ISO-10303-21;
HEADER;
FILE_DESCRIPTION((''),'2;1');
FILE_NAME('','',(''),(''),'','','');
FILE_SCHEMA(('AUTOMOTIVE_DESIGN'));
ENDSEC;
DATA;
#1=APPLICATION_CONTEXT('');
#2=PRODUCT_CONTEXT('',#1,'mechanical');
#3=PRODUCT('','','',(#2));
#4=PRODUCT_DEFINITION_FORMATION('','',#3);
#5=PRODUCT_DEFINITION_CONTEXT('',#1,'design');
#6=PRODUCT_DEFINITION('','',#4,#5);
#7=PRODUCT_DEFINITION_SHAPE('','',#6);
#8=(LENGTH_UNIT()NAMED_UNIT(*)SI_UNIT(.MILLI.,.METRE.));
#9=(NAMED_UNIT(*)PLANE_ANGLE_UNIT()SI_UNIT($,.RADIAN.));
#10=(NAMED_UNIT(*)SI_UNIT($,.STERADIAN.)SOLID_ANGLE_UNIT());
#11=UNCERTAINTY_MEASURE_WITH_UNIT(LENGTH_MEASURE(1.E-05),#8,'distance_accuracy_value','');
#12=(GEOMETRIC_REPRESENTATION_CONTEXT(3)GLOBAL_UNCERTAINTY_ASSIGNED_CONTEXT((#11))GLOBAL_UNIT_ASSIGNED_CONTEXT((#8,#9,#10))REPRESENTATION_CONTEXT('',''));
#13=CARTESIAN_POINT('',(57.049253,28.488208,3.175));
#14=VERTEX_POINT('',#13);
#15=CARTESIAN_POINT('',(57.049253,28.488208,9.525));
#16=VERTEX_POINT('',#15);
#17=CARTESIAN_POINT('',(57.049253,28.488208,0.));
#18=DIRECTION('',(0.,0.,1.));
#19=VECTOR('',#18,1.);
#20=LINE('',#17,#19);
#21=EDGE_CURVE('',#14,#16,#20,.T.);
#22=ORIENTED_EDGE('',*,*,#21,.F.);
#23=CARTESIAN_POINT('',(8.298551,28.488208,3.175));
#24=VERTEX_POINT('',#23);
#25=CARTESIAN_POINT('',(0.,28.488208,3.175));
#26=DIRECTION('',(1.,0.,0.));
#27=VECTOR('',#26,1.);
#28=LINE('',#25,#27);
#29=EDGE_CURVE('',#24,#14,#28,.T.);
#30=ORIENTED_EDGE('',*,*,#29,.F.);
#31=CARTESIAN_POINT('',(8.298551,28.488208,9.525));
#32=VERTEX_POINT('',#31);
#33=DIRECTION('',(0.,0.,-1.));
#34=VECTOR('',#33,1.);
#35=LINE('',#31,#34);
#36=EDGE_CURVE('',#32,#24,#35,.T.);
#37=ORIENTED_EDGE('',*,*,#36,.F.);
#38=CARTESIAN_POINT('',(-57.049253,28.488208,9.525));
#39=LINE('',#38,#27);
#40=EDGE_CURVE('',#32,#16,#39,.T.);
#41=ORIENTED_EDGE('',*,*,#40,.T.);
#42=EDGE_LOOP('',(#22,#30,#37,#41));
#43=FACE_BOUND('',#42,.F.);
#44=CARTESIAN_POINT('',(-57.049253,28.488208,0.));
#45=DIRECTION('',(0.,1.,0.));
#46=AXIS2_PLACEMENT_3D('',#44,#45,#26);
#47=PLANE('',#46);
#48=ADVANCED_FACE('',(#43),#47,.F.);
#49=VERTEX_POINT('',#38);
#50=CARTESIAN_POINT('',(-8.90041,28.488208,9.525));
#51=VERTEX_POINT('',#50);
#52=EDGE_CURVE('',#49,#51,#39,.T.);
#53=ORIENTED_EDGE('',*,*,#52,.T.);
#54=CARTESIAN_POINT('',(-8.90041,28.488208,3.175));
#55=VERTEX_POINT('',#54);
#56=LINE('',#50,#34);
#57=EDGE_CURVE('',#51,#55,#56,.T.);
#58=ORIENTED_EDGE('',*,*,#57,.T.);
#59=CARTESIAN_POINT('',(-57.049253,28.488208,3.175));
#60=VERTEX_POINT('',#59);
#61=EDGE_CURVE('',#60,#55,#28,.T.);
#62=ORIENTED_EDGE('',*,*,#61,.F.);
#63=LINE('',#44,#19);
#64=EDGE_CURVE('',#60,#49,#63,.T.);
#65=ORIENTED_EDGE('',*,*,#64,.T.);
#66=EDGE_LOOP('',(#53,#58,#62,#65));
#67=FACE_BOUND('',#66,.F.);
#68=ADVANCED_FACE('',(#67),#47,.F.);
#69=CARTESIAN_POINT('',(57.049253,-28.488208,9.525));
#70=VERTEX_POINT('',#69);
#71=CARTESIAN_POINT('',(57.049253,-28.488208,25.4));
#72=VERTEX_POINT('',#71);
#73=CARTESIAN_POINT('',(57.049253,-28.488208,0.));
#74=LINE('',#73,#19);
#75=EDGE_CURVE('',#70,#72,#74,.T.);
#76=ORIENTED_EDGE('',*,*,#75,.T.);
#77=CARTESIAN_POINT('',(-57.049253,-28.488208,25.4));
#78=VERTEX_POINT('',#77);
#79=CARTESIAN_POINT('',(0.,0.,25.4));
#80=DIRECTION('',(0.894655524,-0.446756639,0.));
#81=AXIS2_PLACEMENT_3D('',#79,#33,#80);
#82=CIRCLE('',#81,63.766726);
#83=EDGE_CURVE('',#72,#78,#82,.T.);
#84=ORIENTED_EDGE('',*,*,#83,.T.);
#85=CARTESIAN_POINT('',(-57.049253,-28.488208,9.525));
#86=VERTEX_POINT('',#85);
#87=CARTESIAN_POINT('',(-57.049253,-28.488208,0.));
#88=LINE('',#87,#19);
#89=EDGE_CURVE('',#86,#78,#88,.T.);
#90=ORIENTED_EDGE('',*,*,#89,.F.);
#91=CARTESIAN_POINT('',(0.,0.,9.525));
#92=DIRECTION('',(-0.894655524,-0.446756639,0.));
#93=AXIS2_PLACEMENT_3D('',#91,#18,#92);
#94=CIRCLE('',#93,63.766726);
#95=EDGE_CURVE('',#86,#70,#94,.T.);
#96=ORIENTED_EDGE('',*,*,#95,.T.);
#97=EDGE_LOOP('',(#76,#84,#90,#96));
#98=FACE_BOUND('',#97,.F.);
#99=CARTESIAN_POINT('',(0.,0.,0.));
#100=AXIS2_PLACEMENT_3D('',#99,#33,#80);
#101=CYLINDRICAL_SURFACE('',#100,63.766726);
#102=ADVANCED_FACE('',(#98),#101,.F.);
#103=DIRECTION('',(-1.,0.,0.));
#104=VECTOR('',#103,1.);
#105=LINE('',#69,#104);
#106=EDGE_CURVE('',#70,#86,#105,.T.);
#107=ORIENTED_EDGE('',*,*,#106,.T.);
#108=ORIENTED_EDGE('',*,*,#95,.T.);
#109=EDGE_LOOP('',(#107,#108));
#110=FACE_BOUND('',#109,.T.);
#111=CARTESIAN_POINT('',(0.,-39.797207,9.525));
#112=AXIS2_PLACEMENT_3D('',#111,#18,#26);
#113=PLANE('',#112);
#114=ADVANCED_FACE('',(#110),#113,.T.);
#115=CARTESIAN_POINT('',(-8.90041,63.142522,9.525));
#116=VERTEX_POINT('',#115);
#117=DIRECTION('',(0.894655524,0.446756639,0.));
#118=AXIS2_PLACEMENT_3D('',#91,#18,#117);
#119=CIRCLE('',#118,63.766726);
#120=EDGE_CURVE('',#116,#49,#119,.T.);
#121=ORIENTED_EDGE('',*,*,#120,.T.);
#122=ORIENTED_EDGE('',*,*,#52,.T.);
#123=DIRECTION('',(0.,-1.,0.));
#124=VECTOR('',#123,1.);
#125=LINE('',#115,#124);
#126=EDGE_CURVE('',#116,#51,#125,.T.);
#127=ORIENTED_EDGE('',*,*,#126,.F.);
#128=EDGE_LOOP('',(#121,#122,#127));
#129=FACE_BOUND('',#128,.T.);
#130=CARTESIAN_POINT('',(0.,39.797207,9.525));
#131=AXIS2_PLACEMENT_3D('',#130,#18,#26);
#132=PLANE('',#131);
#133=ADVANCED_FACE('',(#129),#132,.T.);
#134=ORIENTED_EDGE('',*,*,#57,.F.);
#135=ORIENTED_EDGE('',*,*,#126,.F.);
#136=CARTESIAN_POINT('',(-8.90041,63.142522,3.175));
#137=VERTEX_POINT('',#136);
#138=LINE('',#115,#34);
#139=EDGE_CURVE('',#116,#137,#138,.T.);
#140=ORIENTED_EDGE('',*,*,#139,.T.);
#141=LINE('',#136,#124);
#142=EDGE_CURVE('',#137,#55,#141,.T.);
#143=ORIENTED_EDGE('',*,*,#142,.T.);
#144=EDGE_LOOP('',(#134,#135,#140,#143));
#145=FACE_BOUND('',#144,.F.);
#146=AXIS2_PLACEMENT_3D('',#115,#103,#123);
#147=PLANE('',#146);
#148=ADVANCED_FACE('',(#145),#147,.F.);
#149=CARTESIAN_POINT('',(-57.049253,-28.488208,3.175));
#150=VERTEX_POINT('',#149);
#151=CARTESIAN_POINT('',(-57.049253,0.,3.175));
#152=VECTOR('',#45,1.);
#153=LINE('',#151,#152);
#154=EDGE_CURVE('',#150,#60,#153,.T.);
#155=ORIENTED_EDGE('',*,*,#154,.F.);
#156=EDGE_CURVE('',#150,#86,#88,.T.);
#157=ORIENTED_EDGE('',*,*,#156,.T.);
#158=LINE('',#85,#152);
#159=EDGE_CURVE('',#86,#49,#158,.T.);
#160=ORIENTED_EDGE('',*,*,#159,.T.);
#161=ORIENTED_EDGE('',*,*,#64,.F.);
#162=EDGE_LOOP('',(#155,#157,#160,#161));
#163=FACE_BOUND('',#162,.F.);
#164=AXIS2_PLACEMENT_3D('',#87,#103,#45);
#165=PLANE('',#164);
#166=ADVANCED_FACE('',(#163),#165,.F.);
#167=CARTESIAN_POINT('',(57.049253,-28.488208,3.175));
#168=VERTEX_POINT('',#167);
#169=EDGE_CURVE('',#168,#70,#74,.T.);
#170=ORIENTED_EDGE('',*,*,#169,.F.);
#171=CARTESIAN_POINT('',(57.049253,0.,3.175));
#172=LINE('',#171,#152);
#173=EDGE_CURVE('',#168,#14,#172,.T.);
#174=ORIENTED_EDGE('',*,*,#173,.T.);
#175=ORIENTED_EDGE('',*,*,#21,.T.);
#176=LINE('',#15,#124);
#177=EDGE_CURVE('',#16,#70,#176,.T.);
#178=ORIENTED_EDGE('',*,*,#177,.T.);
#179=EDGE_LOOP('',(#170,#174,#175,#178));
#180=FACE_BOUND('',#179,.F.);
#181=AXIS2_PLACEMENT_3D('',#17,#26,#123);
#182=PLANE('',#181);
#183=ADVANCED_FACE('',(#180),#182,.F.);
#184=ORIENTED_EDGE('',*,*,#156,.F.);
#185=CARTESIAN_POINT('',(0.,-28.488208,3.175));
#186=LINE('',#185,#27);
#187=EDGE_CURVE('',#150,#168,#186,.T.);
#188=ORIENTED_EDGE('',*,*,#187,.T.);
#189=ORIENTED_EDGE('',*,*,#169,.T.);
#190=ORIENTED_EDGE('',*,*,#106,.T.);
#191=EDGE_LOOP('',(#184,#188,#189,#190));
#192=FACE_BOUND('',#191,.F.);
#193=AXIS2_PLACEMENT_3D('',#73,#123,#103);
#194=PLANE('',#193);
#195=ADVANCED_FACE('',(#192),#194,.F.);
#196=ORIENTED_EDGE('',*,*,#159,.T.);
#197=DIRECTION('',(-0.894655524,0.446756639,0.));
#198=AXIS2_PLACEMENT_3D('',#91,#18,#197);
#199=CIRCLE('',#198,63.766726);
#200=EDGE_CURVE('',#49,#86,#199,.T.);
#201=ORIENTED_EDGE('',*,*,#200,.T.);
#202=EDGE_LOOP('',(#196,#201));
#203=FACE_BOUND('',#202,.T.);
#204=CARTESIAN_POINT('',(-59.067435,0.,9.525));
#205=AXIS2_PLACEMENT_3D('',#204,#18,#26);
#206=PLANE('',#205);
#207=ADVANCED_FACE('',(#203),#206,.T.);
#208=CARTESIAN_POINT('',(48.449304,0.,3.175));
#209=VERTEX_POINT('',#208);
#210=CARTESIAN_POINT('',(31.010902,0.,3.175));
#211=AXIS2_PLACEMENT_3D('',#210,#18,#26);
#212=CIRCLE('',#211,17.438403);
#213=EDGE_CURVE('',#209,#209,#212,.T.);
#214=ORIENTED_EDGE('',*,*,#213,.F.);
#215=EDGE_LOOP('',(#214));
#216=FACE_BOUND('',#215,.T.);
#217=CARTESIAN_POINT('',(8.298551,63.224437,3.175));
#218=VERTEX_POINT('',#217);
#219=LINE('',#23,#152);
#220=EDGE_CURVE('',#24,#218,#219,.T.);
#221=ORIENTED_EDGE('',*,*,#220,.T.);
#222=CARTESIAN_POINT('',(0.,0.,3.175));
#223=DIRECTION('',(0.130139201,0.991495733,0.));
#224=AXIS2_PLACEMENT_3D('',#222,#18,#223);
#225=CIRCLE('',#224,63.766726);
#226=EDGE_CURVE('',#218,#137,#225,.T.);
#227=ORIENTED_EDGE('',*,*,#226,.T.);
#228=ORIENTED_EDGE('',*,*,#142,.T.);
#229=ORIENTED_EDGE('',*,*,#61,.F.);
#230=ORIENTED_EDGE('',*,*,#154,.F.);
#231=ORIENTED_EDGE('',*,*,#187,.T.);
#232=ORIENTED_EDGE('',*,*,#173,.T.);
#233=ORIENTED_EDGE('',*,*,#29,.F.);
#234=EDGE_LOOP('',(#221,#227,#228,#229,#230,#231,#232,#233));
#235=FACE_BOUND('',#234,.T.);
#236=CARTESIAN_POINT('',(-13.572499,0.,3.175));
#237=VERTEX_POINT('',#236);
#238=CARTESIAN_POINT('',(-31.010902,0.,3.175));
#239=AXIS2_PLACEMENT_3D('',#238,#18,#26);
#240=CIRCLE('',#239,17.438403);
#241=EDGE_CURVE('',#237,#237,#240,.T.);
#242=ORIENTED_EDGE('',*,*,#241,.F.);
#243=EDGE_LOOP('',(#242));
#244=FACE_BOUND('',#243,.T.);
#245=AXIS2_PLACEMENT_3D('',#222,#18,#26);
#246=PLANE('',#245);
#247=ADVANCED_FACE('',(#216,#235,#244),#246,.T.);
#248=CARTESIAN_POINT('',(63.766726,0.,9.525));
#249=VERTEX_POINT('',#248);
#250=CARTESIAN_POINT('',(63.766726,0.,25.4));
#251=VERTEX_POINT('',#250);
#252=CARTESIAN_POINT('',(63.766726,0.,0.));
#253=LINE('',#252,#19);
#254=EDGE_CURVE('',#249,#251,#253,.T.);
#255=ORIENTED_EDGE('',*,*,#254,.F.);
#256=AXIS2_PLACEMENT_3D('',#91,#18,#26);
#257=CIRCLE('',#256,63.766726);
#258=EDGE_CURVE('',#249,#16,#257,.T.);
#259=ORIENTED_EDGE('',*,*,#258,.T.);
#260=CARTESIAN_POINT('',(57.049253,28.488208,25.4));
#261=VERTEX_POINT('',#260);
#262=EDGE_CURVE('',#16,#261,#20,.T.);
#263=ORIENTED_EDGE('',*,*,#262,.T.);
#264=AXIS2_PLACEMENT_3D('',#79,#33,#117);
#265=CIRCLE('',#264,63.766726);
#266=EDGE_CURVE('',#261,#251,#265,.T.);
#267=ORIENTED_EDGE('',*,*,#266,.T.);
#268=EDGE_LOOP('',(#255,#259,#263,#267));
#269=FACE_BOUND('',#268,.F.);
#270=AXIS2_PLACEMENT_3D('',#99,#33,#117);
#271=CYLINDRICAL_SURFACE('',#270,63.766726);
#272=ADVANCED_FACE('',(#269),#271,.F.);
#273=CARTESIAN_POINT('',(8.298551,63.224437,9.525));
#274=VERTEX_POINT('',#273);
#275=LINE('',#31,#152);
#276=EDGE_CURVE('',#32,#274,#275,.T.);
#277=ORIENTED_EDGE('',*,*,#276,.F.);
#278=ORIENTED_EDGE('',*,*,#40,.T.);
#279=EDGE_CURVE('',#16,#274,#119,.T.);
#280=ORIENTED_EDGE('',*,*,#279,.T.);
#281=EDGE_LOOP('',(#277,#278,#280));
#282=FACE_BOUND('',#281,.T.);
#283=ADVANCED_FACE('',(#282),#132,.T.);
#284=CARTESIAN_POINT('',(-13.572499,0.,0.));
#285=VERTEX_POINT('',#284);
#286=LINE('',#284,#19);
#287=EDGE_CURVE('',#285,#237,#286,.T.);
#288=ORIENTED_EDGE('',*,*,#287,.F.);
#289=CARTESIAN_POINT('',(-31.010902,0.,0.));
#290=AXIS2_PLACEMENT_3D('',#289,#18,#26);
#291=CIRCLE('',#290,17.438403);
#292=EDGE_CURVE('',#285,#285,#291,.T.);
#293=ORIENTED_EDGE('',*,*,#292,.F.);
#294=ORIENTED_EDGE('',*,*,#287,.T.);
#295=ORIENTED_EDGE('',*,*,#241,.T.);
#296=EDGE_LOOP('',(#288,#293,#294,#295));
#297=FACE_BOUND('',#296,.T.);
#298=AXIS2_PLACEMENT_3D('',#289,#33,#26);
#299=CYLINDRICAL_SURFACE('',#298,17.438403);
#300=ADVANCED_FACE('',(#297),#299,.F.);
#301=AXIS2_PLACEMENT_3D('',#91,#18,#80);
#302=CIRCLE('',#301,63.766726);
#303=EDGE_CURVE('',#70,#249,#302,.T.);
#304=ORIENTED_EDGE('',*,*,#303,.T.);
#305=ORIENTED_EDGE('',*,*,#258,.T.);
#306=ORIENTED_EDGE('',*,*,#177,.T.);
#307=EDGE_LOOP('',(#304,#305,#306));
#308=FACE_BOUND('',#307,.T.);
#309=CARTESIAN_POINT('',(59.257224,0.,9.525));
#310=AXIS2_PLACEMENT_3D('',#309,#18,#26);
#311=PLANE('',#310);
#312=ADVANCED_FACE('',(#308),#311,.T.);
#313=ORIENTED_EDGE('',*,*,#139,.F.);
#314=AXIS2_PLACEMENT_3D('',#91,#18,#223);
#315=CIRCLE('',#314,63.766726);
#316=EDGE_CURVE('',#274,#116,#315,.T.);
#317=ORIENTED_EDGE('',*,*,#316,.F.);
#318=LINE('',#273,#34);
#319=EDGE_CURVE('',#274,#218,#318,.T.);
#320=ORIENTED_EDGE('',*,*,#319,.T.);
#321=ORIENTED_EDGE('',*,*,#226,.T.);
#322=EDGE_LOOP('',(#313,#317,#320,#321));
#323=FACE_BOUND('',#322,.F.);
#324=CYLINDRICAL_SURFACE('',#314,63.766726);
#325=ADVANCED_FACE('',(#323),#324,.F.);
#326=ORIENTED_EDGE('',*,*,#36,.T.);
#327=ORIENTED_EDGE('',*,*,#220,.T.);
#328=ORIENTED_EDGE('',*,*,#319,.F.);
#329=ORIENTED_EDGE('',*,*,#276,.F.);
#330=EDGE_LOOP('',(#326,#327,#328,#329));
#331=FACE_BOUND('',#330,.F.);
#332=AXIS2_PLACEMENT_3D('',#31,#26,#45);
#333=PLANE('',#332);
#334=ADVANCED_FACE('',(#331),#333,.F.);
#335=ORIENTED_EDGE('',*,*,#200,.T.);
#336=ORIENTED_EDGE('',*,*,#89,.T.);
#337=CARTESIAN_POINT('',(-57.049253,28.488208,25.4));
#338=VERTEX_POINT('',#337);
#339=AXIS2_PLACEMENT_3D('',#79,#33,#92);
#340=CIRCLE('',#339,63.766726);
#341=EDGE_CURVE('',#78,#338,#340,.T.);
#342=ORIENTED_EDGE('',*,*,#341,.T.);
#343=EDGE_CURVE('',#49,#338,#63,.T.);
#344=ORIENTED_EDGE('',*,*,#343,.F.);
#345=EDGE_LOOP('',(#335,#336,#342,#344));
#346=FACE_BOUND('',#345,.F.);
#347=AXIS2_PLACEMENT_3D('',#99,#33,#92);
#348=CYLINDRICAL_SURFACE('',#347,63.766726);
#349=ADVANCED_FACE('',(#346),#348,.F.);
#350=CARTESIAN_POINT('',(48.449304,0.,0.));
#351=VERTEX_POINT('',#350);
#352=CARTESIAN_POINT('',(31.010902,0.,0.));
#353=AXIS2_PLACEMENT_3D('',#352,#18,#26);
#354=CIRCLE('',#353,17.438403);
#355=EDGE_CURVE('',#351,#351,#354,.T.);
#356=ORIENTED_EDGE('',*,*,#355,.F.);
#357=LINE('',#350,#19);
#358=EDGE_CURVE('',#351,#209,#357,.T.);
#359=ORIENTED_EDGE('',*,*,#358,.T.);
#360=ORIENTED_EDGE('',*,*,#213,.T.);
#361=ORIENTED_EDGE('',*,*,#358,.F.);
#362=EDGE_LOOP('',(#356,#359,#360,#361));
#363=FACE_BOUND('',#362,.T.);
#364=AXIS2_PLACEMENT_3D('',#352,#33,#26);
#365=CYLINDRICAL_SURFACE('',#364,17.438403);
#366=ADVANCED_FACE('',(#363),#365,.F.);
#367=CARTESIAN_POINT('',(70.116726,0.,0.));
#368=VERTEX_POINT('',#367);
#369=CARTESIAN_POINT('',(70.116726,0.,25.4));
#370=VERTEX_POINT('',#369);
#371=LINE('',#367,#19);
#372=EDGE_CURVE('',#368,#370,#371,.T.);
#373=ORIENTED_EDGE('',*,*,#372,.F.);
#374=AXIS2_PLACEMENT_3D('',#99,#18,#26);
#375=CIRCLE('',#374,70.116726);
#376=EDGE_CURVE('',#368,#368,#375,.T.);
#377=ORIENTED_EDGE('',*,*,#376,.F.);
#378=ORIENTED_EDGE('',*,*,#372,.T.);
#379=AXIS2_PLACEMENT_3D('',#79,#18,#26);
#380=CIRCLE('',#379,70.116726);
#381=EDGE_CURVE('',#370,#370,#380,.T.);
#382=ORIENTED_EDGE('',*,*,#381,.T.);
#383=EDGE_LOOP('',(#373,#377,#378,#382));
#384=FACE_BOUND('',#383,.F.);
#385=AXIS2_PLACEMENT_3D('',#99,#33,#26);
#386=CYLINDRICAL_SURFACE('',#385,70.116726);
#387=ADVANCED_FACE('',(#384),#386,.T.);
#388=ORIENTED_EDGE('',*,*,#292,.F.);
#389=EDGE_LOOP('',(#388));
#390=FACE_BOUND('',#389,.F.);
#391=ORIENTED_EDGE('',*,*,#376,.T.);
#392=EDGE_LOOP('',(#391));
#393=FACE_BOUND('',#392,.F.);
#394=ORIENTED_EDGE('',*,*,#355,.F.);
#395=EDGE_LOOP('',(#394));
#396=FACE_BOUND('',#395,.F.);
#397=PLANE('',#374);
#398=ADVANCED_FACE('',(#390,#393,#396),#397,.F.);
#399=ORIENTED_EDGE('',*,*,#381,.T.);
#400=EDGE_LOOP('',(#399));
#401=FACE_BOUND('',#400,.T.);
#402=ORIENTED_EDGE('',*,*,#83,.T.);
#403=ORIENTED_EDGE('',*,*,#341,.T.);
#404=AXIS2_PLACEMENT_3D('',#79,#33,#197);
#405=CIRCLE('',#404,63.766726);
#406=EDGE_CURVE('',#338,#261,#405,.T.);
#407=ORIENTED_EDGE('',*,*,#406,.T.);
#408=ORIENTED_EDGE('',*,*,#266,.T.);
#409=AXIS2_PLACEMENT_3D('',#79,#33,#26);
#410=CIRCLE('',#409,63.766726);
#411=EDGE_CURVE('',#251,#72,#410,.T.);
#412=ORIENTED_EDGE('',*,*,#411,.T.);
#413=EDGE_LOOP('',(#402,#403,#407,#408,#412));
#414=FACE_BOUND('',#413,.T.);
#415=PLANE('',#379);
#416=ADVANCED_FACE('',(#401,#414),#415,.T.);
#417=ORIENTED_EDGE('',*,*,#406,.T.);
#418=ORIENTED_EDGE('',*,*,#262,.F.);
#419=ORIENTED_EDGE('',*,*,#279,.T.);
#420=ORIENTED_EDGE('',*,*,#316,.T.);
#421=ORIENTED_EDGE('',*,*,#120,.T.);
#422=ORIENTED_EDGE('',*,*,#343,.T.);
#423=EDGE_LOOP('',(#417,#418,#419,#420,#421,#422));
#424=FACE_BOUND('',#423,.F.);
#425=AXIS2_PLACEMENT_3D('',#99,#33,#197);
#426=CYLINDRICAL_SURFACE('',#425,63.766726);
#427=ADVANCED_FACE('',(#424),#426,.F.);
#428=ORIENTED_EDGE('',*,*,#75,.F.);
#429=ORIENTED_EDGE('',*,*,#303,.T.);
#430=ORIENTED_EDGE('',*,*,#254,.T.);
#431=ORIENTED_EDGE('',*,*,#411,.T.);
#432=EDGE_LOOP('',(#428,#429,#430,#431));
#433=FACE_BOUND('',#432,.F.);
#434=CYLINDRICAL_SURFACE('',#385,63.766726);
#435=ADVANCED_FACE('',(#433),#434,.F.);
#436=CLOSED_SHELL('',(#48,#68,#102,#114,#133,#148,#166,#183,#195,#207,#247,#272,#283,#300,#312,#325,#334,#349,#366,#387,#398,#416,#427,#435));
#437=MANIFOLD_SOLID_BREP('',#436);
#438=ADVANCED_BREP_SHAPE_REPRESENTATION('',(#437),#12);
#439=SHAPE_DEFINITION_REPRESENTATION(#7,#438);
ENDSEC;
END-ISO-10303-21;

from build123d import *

# Parameters (mm, degrees)
F0_R     = 70.1167257922
F1_DEPTH = 25.4
F2_DEPTH = 9.525
F0_W     = 114.0985068913
F0_H     = 56.9764161581
F0_R_2   = 17.4384026712
F3_DEPTH = 3.175
F5_DEPTH = 6.35


with BuildPart() as f1:
    # F0 (on Top) → F1 (new body)
    with BuildSketch(Plane.XY):
        Circle(F0_R)
        with BuildLine():
            ThreePointArc((57.0492534457, 28.4882080791), (62.0646413805, 14.6347397849), (63.7667257922, 0))
            ThreePointArc((63.7667257922, 0), (62.0646413805, -14.6347397849), (57.0492534457, -28.4882080791))
            ThreePointArc((57.0492534457, -28.4882080791), (0, -63.7667257922), (-57.0492534457, -28.4882080791))
            ThreePointArc((-57.0492534457, -28.4882080791), (-63.7667257922, 0), (-57.0492534457, 28.4882080791))
            ThreePointArc((-57.0492534457, 28.4882080791), (0, 63.7667257922), (57.0492534457, 28.4882080791))
        make_face(mode=Mode.SUBTRACT)
    extrude(amount=F1_DEPTH)

    # F0 (on Top) → F2 (join)
    with BuildSketch(Plane.XY):
        with BuildLine():
            Line((-57.0492534457, 28.4882080791), (57.0492534457, 28.4882080791))
            ThreePointArc((57.0492534457, 28.4882080791), (0, 63.7667257922), (-57.0492534457, 28.4882080791))
        make_face()
        with BuildLine():
            Line((-57.0492534457, -28.4882080791), (-57.0492534457, 28.4882080791))
            ThreePointArc((-57.0492534457, 28.4882080791), (-63.7667257922, 0), (-57.0492534457, -28.4882080791))
        make_face()
        with BuildLine():
            ThreePointArc((-57.0492534457, -28.4882080791), (0, -63.7667257922), (57.0492534457, -28.4882080791))
            Line((57.0492534457, -28.4882080791), (-57.0492534457, -28.4882080791))
        make_face()
        with BuildLine():
            ThreePointArc((57.0492534457, -28.4882080791), (62.0646413805, -14.6347397849), (63.7667257922, 0))
            ThreePointArc((63.7667257922, 0), (62.0646413805, 14.6347397849), (57.0492534457, 28.4882080791))
            Line((57.0492534457, 28.4882080791), (57.0492534457, -28.4882080791))
        make_face()
    extrude(amount=F2_DEPTH)

    # F0 (on Top) → F3 (join)
    with BuildSketch(Plane.XY):
        Rectangle(F0_W, F0_H)
        with Locations((-31.0109015554, 0)):
            Circle(F0_R_2, mode=Mode.SUBTRACT)
        with Locations((31.0109015554, 0)):
            Circle(F0_R_2, mode=Mode.SUBTRACT)
    extrude(amount=F3_DEPTH)

    # F4 (on face) → F5 (cut)
    with BuildSketch(Plane.XY.offset(9.525)):
        with BuildLine():
            Line((-8.9004095644, 63.1425215512), (-8.9004095644, 28.4882080791))
            Line((-8.9004095644, 28.4882080791), (8.2985507539, 28.4882080791))
            Line((8.2985507539, 28.4882080791), (8.2985507539, 63.224436523))
            ThreePointArc((8.2985507539, 63.224436523), (-0.3037038403, 63.7660025581), (-8.9004095644, 63.1425215512))
        make_face()
    extrude(amount=-F5_DEPTH, mode=Mode.SUBTRACT)


solid = f1.part
